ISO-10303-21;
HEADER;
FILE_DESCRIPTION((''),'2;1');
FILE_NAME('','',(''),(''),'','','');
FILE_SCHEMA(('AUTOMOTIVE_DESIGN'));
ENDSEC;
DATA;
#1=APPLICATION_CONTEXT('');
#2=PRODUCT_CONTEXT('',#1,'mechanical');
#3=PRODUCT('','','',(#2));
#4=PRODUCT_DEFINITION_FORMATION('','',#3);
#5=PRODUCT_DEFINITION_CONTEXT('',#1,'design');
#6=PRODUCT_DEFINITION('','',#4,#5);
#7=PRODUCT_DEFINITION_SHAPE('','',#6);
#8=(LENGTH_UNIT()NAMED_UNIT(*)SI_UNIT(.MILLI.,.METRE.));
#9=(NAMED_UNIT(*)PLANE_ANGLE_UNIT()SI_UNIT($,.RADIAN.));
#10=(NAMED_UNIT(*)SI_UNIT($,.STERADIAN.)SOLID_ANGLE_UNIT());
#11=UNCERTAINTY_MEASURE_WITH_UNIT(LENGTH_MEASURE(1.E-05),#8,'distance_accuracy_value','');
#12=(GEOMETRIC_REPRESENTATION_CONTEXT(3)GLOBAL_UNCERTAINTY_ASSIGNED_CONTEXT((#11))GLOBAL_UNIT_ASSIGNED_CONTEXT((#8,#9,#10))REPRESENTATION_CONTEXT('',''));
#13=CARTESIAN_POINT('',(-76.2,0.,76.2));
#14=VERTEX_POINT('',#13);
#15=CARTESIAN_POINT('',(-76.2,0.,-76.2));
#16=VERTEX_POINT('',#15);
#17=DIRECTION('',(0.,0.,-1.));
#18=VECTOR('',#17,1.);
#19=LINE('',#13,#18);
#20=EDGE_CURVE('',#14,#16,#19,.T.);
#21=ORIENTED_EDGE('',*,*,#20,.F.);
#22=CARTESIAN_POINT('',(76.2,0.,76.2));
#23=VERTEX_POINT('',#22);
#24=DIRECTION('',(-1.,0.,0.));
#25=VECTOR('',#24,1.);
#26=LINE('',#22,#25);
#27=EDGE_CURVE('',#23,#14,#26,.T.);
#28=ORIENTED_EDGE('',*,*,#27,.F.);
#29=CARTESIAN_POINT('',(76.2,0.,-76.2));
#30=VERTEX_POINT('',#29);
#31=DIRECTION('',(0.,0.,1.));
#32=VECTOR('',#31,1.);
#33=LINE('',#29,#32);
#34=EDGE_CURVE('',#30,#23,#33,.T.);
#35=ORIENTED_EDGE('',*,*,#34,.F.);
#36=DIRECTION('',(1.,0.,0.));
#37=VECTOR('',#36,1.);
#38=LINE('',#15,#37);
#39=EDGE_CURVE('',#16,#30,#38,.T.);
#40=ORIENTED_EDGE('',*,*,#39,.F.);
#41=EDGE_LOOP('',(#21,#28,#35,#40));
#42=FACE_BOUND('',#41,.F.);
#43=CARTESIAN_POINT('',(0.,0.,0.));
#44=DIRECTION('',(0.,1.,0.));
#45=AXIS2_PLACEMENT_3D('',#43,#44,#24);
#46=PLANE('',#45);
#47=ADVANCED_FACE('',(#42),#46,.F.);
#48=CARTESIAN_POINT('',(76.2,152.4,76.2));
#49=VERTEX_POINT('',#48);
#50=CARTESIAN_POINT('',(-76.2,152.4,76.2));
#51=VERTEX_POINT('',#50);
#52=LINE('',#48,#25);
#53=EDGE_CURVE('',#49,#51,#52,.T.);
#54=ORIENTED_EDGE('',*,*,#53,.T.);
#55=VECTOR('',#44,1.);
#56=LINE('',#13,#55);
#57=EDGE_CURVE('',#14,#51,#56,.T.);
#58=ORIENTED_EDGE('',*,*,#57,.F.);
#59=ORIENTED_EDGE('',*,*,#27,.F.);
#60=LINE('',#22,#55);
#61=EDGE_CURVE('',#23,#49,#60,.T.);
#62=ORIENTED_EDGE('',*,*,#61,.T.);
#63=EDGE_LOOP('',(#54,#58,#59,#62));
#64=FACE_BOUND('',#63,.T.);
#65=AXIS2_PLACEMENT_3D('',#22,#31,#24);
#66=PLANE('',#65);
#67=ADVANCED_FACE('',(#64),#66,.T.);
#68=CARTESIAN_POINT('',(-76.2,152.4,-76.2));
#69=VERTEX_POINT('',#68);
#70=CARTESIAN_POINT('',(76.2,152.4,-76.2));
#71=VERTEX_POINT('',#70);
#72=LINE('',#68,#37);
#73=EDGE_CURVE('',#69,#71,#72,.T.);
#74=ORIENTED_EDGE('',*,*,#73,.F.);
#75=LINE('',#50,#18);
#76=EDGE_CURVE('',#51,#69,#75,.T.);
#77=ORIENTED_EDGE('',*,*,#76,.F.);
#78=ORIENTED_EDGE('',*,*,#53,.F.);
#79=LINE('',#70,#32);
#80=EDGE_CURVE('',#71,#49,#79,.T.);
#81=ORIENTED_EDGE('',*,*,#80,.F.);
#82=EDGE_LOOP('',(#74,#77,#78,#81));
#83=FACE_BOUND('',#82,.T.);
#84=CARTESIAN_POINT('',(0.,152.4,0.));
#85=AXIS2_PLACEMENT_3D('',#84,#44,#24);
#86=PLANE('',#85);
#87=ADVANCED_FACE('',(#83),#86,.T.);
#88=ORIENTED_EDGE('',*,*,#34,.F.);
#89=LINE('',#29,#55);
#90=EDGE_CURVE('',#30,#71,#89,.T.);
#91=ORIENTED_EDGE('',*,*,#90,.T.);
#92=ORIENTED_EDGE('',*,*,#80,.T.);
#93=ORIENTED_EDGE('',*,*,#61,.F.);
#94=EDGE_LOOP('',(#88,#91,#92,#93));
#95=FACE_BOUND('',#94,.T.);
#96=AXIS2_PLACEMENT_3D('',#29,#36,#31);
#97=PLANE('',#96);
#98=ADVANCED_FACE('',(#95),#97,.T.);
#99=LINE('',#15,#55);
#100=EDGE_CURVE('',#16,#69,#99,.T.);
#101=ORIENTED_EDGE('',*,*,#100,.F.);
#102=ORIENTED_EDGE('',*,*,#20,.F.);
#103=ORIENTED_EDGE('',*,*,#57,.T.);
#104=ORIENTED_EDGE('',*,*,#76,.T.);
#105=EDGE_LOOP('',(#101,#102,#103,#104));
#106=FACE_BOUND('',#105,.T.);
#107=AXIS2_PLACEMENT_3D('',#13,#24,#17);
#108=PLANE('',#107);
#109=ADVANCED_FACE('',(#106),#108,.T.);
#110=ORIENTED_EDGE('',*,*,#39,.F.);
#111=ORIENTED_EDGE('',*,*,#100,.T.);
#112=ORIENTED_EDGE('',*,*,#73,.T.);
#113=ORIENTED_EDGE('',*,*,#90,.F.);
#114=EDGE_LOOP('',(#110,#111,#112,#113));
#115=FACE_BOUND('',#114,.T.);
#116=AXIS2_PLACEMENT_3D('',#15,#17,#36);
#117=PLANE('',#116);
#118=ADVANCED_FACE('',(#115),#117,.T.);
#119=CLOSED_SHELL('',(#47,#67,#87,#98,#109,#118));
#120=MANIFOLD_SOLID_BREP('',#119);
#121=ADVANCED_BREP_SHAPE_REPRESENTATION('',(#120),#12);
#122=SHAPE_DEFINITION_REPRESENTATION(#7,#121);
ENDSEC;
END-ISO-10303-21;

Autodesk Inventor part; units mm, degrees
ref_plane "YZ Plane" through (0, 0, 0) normal (1, 0, 0) x (0, 1, 0)
ref_plane "XZ Plane" through (0, 0, 0) normal (0, 1, 0) x (-1, 0, 0)
ref_plane "XY Plane" through (0, 0, 0) normal (0, 0, 1) x (1, 0, 0)
sketch "Sketch1" plane through (0, 0, 0) normal (0, 1, 0) x (-1, 0, 0)
  line L0 (-76.2, 76.2) -> (76.2, 76.2)
  line L1 (76.2, 76.2) -> (76.2, -76.2)
  line L2 (76.2, -76.2) -> (-76.2, -76.2)
  line L3 (-76.2, -76.2) -> (-76.2, 76.2)
  line L4 (-76.2, 76.2) -> (76.2, -76.2) construction
  line L5 (76.2, 76.2) -> (-76.2, -76.2) construction
  point P0 (0, 0)
  dimension "d0" = 152.4
  dimension "d1" = 152.4
extrude "Extrusion1" add sketch "Sketch1" along normal blind 152.4
properties part number "Glyph"
